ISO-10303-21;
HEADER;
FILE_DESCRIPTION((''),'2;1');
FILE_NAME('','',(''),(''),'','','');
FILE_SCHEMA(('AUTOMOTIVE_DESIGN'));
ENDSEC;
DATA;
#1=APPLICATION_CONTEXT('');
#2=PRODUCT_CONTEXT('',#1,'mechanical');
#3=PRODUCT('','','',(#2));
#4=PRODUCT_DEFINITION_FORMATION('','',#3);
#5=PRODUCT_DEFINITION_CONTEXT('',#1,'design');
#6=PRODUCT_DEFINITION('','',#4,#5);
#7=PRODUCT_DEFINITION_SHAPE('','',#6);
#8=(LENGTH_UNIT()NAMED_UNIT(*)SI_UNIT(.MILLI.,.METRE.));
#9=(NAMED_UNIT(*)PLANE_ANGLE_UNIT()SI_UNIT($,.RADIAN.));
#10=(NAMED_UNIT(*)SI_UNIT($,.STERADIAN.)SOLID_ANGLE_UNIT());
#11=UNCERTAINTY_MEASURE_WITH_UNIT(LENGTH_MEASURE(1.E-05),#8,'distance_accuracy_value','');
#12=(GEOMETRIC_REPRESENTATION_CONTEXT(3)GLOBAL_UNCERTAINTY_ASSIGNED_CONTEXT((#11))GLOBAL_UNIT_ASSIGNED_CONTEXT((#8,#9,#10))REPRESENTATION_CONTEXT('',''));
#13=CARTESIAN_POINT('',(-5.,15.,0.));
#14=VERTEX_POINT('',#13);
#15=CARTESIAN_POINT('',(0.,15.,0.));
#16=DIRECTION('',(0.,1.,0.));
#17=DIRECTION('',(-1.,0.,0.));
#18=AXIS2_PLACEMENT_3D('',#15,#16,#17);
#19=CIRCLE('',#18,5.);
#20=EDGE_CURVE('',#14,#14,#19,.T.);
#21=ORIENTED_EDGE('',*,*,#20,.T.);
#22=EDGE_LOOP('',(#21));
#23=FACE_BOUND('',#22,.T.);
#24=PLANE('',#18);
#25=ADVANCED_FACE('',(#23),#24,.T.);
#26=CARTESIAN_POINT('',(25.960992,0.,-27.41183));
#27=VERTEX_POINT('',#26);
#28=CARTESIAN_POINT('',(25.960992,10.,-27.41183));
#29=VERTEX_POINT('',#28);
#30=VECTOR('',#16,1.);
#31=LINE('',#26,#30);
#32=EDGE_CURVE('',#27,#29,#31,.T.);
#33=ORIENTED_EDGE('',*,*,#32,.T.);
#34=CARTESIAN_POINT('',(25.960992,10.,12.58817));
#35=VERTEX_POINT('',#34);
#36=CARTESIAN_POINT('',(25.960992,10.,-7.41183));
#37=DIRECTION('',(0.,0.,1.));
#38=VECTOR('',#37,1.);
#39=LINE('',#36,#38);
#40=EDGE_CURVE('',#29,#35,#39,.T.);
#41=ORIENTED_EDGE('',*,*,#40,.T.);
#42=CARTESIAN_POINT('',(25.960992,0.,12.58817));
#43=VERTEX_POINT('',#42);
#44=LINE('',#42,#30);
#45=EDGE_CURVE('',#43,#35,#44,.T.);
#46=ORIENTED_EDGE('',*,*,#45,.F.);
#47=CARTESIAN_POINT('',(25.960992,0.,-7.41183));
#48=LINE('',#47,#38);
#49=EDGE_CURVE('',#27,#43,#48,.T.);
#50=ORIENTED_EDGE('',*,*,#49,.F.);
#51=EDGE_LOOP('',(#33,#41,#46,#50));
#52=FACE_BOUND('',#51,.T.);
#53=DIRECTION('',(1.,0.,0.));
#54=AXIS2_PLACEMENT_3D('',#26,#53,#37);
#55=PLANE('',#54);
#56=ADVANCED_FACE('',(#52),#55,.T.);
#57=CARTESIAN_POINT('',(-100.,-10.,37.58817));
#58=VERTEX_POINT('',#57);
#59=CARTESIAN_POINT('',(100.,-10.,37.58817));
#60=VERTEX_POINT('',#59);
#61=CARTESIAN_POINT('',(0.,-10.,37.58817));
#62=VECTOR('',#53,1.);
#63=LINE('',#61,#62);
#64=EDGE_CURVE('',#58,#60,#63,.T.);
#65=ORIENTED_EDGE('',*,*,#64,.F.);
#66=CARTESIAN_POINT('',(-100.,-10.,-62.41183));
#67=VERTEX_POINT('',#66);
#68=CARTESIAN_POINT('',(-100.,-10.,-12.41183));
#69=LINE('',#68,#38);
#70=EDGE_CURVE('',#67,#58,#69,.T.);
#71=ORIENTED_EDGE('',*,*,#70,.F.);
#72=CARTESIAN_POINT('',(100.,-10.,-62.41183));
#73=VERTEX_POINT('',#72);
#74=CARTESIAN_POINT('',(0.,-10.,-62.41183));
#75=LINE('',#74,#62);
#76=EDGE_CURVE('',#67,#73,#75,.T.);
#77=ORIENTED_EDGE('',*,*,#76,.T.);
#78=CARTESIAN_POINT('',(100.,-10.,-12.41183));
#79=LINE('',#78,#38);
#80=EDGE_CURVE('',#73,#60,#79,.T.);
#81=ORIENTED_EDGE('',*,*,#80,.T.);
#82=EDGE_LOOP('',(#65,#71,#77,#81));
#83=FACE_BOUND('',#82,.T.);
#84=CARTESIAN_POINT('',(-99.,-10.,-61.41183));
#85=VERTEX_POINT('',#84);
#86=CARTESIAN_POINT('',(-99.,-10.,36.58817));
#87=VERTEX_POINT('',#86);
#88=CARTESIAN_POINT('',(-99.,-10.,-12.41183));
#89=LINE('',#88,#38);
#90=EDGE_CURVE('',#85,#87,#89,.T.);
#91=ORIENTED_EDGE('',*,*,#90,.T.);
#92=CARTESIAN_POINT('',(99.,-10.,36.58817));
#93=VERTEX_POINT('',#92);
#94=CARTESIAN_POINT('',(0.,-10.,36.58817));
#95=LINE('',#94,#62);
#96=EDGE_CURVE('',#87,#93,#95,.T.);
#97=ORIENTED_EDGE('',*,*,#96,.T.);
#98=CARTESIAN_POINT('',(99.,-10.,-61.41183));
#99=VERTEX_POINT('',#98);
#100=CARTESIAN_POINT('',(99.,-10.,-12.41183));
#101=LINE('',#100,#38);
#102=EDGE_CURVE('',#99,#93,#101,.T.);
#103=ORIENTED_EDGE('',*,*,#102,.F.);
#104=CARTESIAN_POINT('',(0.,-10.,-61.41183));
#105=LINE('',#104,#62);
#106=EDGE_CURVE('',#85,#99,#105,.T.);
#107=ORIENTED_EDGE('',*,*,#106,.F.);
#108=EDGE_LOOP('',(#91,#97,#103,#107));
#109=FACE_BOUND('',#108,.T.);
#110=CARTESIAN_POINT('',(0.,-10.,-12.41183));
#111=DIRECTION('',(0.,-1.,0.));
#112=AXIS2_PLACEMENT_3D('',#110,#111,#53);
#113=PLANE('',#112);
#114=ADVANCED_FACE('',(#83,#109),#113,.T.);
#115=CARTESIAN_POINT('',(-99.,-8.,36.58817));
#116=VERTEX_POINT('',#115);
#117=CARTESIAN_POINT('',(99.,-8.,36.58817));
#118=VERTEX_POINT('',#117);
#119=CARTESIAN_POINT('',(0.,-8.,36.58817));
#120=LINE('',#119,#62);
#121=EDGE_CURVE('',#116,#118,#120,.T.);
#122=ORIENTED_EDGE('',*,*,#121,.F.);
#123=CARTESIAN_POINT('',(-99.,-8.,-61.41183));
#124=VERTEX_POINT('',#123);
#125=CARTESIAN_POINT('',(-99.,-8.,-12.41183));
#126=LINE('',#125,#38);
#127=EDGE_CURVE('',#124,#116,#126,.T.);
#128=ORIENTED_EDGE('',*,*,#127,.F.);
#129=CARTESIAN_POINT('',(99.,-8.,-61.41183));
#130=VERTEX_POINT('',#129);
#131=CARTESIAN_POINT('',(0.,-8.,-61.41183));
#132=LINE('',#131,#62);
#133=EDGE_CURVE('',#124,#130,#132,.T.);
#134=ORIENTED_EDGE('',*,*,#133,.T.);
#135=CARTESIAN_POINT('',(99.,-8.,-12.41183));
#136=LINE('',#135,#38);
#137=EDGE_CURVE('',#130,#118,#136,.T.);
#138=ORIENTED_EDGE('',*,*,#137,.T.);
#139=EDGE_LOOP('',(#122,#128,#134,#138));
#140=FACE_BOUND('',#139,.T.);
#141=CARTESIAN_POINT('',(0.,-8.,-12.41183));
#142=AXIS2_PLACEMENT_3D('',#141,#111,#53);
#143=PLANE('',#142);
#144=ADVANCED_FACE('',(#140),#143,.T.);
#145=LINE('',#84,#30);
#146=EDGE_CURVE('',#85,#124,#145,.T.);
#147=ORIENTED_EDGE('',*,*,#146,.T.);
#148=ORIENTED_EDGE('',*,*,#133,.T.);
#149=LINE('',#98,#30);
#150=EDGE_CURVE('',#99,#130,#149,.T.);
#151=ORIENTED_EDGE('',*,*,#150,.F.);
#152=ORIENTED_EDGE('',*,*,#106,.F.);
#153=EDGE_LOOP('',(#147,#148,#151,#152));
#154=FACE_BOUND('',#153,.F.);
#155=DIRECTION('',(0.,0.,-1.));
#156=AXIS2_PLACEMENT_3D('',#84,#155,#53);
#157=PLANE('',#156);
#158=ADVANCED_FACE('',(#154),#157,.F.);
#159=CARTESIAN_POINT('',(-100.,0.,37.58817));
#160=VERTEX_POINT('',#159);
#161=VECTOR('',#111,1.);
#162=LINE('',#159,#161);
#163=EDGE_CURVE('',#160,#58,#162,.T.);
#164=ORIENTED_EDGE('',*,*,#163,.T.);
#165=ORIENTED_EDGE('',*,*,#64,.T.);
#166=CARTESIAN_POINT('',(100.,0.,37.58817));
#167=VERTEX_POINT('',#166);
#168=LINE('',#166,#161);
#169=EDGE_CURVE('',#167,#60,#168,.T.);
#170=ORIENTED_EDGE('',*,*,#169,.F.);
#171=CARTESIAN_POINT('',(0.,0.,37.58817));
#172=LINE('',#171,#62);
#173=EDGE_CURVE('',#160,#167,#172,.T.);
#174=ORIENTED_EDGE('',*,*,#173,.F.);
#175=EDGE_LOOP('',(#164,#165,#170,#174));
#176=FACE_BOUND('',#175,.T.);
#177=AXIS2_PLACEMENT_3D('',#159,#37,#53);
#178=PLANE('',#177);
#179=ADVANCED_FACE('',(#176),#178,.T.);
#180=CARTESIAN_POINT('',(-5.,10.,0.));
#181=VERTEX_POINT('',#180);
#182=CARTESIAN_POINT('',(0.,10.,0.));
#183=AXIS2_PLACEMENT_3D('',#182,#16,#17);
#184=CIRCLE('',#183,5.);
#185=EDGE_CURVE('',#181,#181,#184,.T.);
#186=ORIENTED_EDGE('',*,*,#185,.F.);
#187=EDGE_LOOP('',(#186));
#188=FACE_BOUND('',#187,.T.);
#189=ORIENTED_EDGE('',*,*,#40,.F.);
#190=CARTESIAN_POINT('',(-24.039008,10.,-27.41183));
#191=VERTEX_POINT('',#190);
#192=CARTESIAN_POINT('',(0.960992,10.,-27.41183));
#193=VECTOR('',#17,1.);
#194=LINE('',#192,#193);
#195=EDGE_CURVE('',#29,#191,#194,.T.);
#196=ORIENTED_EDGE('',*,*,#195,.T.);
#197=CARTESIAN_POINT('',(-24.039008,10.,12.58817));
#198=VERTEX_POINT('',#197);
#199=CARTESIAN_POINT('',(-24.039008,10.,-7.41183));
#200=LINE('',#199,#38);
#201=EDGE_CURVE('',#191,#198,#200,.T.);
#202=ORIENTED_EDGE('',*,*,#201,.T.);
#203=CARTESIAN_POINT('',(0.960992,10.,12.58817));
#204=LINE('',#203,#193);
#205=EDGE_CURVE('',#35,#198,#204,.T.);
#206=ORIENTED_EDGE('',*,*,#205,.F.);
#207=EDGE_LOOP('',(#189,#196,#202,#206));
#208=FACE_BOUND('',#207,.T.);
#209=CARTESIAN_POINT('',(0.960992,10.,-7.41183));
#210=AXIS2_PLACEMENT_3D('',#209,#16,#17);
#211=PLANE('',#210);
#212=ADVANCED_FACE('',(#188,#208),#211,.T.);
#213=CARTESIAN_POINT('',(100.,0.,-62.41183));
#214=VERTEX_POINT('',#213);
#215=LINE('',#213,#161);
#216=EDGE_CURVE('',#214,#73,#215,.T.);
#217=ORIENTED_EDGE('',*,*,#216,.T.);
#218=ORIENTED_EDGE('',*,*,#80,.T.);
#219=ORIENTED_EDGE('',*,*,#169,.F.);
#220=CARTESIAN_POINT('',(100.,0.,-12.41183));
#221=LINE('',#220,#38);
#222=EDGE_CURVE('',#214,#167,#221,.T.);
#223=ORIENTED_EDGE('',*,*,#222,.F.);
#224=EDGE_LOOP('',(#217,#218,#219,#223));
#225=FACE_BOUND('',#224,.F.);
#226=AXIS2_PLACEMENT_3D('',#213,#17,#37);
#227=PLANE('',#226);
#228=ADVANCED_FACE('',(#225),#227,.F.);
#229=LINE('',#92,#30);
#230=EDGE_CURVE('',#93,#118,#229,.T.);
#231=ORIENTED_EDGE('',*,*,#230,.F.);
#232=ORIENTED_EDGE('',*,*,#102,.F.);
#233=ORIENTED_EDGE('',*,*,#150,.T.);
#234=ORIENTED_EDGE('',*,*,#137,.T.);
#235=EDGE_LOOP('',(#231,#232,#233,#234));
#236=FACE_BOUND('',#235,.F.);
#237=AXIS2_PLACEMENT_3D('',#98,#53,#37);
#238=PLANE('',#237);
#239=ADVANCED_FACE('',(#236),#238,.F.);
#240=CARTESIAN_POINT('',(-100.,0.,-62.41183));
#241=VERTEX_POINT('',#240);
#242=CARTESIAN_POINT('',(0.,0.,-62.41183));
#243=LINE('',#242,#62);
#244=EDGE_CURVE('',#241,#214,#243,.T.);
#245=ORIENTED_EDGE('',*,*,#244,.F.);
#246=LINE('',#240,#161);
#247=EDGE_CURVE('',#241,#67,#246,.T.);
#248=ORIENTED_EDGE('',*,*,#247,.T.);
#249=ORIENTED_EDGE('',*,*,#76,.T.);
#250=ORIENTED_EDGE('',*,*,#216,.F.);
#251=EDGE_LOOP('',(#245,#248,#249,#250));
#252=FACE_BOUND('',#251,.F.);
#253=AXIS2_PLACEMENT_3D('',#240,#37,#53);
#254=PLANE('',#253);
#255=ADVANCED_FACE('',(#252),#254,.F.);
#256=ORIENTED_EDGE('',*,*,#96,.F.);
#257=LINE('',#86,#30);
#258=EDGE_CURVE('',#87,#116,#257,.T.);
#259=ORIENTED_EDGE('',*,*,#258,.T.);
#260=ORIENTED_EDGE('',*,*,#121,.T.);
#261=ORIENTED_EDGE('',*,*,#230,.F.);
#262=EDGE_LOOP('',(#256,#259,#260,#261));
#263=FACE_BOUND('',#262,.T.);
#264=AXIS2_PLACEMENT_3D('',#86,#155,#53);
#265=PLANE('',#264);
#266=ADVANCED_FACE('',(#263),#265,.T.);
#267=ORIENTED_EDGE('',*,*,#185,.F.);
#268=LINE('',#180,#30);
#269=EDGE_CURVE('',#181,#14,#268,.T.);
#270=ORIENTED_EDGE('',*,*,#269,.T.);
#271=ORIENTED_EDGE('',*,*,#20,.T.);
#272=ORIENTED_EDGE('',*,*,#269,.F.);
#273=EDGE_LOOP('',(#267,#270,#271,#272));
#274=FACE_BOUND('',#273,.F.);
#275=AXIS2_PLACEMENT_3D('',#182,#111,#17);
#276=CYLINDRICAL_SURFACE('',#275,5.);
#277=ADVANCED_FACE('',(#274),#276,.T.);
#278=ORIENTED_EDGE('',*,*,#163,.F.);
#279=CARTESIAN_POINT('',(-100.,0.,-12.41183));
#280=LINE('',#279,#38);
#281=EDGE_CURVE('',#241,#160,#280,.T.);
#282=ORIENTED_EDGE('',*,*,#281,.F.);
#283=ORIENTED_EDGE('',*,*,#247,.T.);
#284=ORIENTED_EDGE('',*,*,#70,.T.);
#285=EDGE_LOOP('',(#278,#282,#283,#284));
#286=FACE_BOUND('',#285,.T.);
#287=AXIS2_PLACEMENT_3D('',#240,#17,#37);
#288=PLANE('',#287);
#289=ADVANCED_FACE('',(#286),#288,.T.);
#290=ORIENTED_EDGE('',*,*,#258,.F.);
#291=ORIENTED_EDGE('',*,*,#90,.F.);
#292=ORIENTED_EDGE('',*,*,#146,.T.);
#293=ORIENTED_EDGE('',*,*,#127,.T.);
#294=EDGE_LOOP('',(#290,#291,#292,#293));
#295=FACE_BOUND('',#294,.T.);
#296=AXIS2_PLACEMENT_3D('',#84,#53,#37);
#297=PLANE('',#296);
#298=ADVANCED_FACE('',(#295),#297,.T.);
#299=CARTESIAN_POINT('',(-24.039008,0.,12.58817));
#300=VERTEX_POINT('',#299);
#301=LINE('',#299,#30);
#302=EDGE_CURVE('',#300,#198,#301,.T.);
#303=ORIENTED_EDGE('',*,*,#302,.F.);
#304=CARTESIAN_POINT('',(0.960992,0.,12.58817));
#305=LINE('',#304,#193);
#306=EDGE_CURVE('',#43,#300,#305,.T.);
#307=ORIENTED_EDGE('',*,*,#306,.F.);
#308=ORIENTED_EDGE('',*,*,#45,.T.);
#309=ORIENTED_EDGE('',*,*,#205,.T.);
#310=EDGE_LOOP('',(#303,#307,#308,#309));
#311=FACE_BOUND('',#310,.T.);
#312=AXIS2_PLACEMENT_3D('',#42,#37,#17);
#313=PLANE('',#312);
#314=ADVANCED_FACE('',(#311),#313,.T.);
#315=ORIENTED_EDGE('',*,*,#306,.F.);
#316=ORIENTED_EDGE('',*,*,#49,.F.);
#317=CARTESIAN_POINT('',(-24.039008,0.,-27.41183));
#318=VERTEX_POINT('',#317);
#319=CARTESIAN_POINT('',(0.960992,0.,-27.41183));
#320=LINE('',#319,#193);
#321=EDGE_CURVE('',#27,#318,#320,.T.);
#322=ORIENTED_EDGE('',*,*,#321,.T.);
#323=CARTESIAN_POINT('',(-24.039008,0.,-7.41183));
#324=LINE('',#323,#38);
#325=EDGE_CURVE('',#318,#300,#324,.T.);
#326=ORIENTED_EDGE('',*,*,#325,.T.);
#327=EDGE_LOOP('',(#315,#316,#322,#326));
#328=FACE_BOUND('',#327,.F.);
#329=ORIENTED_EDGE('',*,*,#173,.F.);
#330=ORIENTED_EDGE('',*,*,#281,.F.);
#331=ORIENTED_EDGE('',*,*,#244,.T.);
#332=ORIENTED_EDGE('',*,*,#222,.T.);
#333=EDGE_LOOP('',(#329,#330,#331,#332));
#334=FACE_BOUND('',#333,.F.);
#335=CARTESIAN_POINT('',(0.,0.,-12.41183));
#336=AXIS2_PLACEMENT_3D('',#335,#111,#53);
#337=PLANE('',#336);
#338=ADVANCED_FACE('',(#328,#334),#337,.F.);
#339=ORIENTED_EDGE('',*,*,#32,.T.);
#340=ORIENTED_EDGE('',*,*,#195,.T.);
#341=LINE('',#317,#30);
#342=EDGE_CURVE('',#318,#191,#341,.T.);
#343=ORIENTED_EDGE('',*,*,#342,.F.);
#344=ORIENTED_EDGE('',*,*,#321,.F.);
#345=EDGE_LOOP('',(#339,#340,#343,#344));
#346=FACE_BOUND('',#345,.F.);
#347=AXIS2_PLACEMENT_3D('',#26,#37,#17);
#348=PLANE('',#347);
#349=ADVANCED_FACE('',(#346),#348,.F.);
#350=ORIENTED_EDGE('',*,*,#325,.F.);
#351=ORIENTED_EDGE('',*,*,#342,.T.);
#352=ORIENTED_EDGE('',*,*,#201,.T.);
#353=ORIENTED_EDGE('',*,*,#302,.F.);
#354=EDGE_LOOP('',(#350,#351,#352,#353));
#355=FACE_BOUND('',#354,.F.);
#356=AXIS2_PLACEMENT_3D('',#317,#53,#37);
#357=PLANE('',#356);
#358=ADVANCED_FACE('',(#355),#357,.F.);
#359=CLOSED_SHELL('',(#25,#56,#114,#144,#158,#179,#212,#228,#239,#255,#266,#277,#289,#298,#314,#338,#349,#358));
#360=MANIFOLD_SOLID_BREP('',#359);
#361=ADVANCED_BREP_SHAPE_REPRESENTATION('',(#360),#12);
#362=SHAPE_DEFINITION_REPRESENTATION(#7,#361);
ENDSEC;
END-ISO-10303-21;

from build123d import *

# Parameters (mm, degrees)
F0_W     = 200
F0_H     = 100
F1_DEPTH = 10
F2_W     = 198
F2_H     = 98
F3_DEPTH = 2
F4_W     = 50
F4_H     = 40
F5_DEPTH = 10
F6_R     = 5
F7_DEPTH = 5


with BuildPart() as f1:
    # F0 (on Front) → F1 (new body)
    with BuildSketch(Plane.XZ):
        with Locations((0, -12.41183)):
            Rectangle(F0_W, F0_H)
    extrude(amount=F1_DEPTH)

    # F2 (on face) → F3 (cut)
    with BuildSketch(Plane.XZ.offset(10)):
        with Locations((0, -12.41183)):
            Rectangle(F2_W, F2_H)
    extrude(amount=-F3_DEPTH, mode=Mode.SUBTRACT)

    # F4 (on face) → F5 (join)
    with BuildSketch(Plane(origin=(0, 0, 0), x_dir=(-1, 0, 0), z_dir=(0, 1, 0))):
        with Locations((-0.960992, -7.41183)):
            Rectangle(F4_W, F4_H)
    extrude(amount=F5_DEPTH)

    # F6 (on face) → F7 (join)
    with BuildSketch(Plane(origin=(0, 10, 0), x_dir=(-1, 0, 0), z_dir=(0, 1, 0))):
        Circle(F6_R)
    extrude(amount=F7_DEPTH)


solid = f1.part
